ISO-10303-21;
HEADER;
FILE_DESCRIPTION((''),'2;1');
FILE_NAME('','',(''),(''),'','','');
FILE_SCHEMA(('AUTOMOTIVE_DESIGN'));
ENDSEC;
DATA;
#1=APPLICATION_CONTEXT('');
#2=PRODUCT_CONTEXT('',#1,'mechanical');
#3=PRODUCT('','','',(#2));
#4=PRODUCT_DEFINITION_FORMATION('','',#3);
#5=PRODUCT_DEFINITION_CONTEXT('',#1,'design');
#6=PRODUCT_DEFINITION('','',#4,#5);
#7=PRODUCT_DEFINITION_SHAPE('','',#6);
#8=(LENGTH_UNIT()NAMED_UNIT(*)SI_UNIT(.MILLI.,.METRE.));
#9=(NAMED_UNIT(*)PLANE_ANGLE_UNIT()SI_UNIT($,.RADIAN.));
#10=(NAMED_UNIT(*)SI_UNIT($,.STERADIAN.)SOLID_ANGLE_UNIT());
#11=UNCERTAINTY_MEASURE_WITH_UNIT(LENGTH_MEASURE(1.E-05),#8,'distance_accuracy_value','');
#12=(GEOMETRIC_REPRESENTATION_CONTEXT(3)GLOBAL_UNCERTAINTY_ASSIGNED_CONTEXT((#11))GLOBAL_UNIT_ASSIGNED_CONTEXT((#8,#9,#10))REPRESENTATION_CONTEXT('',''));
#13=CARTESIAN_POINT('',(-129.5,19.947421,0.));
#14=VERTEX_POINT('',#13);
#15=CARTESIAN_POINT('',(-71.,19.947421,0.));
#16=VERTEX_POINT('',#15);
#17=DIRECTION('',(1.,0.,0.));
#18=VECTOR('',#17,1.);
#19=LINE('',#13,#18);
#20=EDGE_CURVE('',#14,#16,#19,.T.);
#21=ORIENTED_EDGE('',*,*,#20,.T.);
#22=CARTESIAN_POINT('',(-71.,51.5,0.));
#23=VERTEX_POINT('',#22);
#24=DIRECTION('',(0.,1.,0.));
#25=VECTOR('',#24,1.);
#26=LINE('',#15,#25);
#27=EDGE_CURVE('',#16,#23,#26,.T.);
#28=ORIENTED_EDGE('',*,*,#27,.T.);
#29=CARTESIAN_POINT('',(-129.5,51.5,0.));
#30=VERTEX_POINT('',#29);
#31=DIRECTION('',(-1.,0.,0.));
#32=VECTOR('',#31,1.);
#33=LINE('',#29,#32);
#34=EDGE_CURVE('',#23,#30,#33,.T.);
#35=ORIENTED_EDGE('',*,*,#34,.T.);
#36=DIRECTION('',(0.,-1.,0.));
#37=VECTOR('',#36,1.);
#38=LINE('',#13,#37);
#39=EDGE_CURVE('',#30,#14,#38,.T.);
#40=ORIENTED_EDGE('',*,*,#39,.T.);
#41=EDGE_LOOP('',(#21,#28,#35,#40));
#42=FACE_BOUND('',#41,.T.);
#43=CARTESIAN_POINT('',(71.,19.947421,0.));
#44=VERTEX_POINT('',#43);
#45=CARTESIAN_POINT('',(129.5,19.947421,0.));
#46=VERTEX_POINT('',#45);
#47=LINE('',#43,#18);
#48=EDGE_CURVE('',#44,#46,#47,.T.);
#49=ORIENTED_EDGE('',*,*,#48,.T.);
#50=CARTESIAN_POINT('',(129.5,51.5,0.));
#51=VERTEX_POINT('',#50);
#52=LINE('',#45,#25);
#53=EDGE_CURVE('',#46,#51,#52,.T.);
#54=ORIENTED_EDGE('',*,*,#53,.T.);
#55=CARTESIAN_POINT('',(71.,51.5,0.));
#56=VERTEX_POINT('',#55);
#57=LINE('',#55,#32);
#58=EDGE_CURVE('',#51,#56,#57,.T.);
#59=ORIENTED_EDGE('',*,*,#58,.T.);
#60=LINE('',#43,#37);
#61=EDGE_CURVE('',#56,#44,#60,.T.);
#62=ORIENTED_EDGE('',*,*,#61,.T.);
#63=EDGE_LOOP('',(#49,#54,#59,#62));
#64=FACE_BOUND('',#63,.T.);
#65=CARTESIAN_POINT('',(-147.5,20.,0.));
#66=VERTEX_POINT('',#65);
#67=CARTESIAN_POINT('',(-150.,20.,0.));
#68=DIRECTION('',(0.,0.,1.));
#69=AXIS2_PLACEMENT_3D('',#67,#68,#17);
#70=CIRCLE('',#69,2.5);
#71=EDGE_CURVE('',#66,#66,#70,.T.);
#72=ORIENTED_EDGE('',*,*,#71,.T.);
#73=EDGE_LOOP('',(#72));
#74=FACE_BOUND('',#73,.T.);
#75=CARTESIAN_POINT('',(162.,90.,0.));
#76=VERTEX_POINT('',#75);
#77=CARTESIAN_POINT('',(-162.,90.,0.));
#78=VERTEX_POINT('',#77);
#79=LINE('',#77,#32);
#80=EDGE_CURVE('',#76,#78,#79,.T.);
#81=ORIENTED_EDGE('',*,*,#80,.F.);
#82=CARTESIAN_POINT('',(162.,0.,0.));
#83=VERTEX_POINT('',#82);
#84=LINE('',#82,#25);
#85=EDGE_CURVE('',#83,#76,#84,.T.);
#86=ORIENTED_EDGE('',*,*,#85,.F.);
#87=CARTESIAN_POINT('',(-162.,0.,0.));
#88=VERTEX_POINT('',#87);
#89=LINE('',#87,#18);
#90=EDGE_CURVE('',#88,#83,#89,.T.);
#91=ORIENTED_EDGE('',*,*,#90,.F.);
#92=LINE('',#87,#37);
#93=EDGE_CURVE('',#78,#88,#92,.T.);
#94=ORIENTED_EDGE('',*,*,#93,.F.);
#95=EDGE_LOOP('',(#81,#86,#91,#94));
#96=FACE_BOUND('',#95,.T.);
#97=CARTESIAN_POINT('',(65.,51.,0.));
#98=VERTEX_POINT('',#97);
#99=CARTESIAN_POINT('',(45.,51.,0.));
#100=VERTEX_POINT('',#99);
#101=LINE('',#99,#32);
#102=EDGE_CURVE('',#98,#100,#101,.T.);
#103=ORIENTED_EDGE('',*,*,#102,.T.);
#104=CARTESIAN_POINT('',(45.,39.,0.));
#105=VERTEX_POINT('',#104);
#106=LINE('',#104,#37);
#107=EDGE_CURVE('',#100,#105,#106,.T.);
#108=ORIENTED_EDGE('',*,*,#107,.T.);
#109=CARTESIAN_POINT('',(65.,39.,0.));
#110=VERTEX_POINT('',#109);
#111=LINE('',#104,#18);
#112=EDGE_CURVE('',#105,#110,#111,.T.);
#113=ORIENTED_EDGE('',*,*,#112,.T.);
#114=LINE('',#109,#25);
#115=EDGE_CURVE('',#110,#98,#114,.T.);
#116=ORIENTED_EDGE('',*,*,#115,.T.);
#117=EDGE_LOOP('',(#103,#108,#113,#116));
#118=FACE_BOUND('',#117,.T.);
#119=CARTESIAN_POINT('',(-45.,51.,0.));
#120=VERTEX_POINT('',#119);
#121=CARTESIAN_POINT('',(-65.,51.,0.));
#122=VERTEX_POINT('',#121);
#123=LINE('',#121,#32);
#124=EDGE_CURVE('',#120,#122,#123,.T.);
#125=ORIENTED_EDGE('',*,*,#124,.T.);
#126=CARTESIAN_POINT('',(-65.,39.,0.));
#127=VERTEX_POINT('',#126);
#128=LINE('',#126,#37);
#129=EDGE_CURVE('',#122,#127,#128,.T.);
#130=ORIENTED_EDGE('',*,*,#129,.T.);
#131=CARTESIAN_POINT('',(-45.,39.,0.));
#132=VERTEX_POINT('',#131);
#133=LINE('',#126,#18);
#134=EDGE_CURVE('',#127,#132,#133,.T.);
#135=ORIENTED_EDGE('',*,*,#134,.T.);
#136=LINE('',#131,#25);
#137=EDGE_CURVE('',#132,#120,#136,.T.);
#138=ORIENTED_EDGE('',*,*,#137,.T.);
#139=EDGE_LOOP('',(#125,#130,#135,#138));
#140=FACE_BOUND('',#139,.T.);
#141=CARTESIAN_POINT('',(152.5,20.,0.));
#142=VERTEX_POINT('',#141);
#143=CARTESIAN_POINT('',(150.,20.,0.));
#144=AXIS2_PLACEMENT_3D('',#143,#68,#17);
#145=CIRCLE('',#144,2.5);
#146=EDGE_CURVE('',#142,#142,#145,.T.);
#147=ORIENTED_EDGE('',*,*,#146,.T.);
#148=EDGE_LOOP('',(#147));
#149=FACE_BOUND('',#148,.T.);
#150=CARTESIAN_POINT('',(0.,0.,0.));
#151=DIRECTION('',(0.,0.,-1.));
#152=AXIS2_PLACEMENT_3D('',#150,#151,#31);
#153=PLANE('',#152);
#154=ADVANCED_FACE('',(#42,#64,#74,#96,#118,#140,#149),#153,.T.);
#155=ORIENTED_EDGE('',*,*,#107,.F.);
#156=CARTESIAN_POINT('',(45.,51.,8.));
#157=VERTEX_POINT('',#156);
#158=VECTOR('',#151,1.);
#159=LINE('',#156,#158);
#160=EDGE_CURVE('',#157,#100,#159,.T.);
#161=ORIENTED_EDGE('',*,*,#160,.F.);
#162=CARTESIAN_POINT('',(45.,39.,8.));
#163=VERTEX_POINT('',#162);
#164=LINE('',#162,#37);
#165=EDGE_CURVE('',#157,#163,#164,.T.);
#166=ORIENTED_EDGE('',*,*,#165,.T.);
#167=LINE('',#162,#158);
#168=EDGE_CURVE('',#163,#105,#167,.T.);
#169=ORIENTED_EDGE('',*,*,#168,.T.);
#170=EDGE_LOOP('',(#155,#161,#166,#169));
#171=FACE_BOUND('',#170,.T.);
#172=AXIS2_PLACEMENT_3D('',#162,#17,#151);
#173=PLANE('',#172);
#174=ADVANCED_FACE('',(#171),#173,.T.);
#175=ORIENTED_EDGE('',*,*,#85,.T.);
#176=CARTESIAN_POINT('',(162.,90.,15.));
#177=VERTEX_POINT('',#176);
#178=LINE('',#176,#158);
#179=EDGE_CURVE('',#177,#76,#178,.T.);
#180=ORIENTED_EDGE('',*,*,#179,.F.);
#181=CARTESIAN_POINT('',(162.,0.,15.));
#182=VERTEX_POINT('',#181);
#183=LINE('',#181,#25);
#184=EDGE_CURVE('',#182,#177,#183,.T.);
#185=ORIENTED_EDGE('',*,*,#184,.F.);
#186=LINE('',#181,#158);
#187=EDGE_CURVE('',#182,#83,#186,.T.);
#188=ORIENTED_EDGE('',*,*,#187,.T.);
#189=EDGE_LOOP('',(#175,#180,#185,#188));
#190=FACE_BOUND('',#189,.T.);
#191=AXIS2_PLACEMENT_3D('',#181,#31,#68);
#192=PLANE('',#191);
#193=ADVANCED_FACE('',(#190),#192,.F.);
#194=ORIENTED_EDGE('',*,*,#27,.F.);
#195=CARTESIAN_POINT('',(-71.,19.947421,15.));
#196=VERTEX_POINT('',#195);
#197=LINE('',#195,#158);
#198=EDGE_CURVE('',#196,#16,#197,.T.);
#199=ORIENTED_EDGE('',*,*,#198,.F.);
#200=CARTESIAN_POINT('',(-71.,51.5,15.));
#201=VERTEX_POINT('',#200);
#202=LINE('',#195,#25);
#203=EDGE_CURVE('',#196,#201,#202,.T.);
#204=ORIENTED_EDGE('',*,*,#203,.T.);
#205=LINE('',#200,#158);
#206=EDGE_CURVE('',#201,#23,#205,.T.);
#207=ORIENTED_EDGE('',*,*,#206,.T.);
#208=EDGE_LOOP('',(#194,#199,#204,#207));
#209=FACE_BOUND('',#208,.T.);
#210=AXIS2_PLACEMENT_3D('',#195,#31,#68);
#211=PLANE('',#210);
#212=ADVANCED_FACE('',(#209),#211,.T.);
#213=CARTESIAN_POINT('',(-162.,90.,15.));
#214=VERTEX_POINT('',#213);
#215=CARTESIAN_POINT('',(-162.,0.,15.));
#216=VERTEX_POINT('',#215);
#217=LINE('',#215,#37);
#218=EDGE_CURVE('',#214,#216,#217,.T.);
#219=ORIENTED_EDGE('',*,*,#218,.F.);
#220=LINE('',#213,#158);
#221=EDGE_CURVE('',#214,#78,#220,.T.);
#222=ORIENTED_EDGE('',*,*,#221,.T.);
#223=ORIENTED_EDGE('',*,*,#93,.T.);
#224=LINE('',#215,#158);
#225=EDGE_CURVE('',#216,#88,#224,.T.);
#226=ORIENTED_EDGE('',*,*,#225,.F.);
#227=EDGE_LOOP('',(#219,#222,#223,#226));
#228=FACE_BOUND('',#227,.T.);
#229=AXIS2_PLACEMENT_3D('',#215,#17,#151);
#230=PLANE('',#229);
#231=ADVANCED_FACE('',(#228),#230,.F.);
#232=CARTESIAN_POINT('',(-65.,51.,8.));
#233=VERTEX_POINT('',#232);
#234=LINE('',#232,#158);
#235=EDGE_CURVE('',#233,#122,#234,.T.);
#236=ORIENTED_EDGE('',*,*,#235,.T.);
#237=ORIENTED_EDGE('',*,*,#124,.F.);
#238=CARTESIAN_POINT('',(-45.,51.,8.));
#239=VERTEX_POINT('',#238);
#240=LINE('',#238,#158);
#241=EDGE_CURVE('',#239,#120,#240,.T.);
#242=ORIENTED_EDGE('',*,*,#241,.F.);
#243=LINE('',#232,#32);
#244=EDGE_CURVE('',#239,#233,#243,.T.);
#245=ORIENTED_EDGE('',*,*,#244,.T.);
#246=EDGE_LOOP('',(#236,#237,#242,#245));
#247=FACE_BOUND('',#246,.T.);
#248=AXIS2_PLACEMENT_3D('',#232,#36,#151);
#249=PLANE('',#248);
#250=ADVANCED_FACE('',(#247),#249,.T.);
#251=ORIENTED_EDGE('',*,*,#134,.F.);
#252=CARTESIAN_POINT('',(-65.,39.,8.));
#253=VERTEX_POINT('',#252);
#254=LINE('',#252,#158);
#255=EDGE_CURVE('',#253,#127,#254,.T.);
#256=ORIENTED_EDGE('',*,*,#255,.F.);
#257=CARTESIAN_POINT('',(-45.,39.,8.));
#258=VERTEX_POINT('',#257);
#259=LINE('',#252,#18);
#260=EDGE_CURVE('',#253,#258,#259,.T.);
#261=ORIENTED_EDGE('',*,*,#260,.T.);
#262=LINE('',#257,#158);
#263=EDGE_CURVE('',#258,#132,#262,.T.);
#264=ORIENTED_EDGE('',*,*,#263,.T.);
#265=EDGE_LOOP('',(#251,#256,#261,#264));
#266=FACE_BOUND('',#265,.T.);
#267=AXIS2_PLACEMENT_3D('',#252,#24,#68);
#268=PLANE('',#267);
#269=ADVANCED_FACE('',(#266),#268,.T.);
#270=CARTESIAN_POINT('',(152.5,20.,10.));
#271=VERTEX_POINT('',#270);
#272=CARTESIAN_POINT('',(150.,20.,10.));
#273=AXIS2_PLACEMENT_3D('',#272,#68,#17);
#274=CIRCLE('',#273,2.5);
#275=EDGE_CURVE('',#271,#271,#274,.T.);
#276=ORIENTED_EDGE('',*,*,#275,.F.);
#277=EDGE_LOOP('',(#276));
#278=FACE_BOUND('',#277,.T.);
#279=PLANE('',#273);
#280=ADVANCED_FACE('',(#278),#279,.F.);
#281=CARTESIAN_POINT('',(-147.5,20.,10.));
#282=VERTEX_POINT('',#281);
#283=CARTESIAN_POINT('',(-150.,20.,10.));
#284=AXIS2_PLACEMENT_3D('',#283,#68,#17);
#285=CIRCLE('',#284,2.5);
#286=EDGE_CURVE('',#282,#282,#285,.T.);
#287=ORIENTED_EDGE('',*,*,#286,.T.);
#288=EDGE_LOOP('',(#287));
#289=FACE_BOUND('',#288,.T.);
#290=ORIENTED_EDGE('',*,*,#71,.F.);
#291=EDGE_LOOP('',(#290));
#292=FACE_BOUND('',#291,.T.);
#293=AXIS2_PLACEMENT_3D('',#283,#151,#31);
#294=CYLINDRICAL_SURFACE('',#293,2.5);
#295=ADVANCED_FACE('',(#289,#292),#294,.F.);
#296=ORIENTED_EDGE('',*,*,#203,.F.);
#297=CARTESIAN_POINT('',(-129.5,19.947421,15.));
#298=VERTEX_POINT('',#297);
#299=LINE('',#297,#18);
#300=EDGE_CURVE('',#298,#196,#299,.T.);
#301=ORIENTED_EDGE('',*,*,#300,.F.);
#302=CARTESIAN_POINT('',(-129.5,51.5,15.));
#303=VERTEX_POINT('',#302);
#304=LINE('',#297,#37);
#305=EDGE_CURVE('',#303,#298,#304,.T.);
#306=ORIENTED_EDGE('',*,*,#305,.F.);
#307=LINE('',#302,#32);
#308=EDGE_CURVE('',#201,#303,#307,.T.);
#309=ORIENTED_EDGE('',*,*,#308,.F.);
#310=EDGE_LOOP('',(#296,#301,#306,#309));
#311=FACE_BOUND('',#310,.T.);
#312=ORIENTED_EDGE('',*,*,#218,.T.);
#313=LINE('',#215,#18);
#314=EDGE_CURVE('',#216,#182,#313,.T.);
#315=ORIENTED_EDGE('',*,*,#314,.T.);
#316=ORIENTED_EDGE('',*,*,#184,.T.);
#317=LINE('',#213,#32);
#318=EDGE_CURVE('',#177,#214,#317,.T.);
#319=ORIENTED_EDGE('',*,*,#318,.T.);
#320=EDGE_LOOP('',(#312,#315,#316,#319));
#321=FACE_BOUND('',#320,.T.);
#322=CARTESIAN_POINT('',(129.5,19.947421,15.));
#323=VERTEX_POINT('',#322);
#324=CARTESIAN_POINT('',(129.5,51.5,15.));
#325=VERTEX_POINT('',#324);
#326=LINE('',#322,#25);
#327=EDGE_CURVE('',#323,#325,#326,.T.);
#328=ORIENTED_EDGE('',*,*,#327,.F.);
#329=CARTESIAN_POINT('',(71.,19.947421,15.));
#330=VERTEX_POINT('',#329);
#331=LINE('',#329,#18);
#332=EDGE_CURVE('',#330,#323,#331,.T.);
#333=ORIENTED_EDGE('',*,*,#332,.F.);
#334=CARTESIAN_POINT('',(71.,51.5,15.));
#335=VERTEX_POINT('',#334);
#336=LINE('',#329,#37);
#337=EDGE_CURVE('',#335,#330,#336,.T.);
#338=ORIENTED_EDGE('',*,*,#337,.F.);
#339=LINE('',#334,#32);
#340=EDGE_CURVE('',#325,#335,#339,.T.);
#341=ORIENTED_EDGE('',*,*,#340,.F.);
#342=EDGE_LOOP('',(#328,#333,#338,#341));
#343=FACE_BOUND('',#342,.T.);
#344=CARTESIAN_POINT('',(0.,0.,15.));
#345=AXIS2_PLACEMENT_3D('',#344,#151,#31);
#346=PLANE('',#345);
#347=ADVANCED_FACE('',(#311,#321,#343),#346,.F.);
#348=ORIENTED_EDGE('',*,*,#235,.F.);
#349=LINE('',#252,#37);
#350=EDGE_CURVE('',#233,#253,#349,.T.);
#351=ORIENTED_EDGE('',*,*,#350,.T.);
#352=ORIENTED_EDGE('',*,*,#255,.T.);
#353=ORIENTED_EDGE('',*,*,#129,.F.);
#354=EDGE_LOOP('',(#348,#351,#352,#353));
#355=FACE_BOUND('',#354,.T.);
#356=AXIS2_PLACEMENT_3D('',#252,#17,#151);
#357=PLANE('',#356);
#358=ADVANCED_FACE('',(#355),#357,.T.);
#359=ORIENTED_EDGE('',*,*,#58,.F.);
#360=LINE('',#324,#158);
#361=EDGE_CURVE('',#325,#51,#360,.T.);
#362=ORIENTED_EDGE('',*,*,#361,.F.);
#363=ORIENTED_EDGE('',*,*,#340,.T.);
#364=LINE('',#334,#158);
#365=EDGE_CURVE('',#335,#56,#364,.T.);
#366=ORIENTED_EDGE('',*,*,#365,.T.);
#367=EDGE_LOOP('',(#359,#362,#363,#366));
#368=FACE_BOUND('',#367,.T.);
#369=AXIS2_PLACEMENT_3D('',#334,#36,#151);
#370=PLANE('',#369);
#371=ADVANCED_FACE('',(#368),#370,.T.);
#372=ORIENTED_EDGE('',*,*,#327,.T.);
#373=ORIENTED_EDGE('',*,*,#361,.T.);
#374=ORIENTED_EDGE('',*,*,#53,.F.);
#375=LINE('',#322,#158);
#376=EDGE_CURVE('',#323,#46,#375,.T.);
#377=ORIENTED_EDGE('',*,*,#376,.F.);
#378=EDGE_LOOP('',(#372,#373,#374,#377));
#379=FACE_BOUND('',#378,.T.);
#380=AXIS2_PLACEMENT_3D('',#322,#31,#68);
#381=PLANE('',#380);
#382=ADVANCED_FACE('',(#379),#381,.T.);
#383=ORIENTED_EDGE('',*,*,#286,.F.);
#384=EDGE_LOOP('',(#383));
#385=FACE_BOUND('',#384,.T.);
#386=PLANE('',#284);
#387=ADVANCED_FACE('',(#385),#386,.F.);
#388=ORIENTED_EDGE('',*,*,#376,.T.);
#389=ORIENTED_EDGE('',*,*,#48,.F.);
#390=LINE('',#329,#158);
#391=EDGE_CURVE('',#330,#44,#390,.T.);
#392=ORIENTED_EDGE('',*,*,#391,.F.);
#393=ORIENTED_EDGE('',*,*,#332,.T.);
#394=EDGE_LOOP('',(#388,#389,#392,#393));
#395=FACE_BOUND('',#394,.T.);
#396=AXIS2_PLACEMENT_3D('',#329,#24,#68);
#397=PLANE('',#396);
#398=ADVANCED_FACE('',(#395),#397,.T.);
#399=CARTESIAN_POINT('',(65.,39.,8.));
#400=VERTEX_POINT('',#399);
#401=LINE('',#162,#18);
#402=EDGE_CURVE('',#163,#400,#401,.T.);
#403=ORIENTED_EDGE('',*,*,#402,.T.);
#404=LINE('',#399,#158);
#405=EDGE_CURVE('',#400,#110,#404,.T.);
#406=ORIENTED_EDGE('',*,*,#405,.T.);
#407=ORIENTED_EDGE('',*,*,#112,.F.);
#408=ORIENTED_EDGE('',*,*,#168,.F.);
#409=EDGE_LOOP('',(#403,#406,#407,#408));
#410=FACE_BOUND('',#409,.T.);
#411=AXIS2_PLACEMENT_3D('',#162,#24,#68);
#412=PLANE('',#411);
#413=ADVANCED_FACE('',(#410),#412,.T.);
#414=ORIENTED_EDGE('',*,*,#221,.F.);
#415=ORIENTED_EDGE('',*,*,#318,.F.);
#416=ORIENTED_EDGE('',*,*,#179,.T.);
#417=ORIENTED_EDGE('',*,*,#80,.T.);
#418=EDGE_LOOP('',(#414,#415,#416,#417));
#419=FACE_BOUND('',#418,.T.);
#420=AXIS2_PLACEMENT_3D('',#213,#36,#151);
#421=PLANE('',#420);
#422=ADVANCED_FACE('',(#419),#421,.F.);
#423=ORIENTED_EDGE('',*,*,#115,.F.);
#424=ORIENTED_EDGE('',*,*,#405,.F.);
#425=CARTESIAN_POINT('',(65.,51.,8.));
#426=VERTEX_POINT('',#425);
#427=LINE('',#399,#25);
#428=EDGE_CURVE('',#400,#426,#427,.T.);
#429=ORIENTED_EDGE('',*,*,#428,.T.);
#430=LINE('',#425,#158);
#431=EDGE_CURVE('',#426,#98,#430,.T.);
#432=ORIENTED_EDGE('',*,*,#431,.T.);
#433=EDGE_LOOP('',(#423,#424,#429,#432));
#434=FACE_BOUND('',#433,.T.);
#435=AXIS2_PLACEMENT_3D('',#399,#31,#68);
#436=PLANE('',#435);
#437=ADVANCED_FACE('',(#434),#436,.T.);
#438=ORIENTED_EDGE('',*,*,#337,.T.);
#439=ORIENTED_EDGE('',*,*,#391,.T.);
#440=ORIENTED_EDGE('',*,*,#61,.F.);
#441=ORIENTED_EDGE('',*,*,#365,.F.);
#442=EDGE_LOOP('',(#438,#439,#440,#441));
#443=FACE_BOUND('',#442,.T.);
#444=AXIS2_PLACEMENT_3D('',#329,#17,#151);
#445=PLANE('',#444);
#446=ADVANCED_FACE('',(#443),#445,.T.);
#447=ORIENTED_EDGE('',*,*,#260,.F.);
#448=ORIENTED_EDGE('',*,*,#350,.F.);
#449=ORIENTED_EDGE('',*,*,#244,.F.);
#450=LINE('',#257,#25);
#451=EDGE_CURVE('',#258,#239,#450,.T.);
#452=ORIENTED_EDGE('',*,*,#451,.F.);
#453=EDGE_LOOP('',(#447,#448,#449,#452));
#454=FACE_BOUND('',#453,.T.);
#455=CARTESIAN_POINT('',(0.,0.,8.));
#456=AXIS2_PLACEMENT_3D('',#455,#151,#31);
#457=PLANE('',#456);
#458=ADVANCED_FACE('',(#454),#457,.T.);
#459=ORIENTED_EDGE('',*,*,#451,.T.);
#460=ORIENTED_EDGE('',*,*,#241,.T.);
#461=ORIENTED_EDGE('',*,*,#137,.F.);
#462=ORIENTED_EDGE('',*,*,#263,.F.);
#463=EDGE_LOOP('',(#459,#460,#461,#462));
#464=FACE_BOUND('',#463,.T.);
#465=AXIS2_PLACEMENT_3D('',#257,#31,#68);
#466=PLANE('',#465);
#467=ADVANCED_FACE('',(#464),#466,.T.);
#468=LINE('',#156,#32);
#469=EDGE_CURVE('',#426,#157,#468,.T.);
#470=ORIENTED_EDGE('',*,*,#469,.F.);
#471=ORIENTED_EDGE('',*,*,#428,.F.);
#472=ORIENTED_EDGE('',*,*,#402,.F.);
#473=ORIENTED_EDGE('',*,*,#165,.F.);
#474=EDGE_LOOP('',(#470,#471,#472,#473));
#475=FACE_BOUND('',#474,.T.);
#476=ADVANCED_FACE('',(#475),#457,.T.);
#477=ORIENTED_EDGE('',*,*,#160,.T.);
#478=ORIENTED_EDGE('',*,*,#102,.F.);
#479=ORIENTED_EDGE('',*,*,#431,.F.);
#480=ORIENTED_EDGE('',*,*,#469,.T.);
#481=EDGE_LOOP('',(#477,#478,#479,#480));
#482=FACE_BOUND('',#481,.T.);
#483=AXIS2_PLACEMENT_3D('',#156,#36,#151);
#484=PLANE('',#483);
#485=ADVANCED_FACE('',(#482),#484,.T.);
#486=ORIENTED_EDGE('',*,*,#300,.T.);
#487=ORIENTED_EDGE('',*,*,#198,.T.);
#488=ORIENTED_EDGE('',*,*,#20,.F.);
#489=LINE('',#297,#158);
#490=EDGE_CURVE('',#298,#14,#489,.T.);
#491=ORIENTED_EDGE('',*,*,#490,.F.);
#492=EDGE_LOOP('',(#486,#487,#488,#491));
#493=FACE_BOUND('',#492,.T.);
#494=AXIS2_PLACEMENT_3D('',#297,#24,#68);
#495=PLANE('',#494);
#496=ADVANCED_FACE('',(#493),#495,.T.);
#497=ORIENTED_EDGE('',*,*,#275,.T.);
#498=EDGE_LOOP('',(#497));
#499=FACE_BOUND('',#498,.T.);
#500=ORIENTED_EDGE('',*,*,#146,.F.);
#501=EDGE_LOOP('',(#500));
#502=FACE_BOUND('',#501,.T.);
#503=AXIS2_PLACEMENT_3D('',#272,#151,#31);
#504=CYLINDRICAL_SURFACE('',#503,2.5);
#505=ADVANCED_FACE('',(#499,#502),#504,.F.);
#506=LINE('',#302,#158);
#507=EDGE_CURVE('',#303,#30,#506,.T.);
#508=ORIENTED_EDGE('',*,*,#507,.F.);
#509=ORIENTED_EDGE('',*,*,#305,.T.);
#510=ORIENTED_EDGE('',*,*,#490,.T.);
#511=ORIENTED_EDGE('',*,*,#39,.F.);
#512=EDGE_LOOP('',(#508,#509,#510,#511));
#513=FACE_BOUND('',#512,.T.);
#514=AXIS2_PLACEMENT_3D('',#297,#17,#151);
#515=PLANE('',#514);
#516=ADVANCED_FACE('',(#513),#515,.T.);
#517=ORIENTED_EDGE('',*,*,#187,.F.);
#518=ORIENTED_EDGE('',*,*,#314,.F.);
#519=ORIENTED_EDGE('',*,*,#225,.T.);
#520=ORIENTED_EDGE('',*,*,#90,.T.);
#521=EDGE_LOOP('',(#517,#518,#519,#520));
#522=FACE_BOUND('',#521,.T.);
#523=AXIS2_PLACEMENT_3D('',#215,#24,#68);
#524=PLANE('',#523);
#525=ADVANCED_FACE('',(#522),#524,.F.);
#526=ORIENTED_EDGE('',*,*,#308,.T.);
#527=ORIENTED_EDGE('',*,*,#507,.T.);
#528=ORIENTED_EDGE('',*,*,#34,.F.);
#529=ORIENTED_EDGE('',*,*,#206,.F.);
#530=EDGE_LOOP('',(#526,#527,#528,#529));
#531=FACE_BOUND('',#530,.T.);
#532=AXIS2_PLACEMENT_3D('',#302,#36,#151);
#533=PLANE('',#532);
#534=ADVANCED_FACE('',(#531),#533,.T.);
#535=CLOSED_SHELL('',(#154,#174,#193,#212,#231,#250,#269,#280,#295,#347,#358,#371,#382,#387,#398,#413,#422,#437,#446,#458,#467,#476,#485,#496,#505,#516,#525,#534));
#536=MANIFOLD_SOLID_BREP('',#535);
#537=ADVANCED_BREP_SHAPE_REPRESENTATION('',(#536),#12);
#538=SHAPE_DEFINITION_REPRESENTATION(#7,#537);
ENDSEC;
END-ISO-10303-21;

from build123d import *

# Parameters (mm, degrees)
SK_BODY_W               = 324
SK_BODY_H               = 90
EX_BODY_DEPTH           = 15
SK_SWITCHPOCKETS_W      = 20
SK_SWITCHPOCKETS_H      = 12
CUT_SWITCHPOCKETS_DEPTH = 8
SK_GUIDEPINS_R          = 2.5
CUT_GUIDEPINS_DEPTH     = 10
SK_CLIFFWINDOWS_W       = 58.5
SK_CLIFFWINDOWS_H       = 31.552578851
CUT_CLIFFWINDOWS_DEPTH  = 15


with BuildPart() as part:
    # SK_Body → EX_Body (new body)
    with BuildSketch(Plane.XY):
        with Locations((0, 45)):
            Rectangle(SK_BODY_W, SK_BODY_H)
    extrude(amount=EX_BODY_DEPTH)

    # SK_SwitchPockets → CUT_SwitchPockets (cut)
    with BuildSketch(Plane.XY):
        with Locations((55, 45)):
            Rectangle(SK_SWITCHPOCKETS_W, SK_SWITCHPOCKETS_H)
        with Locations((-55, 45)):
            Rectangle(SK_SWITCHPOCKETS_W, SK_SWITCHPOCKETS_H)
    extrude(amount=CUT_SWITCHPOCKETS_DEPTH, mode=Mode.SUBTRACT)

    # SK_GuidePins → CUT_GuidePins (cut)
    with BuildSketch(Plane.XY):
        with Locations((150, 20)):
            Circle(SK_GUIDEPINS_R)
        with Locations((-150, 20)):
            Circle(SK_GUIDEPINS_R)
    extrude(amount=CUT_GUIDEPINS_DEPTH, mode=Mode.SUBTRACT)

    # SK_CliffWindows → CUT_CliffWindows (cut)
    with BuildSketch(Plane.XY):
        with Locations((100.25, 35.723710575)):
            Rectangle(SK_CLIFFWINDOWS_W, SK_CLIFFWINDOWS_H)
        with Locations((-100.25, 35.723710575)):
            Rectangle(SK_CLIFFWINDOWS_W, SK_CLIFFWINDOWS_H)
    extrude(amount=CUT_CLIFFWINDOWS_DEPTH, mode=Mode.SUBTRACT)


solid = part.part
